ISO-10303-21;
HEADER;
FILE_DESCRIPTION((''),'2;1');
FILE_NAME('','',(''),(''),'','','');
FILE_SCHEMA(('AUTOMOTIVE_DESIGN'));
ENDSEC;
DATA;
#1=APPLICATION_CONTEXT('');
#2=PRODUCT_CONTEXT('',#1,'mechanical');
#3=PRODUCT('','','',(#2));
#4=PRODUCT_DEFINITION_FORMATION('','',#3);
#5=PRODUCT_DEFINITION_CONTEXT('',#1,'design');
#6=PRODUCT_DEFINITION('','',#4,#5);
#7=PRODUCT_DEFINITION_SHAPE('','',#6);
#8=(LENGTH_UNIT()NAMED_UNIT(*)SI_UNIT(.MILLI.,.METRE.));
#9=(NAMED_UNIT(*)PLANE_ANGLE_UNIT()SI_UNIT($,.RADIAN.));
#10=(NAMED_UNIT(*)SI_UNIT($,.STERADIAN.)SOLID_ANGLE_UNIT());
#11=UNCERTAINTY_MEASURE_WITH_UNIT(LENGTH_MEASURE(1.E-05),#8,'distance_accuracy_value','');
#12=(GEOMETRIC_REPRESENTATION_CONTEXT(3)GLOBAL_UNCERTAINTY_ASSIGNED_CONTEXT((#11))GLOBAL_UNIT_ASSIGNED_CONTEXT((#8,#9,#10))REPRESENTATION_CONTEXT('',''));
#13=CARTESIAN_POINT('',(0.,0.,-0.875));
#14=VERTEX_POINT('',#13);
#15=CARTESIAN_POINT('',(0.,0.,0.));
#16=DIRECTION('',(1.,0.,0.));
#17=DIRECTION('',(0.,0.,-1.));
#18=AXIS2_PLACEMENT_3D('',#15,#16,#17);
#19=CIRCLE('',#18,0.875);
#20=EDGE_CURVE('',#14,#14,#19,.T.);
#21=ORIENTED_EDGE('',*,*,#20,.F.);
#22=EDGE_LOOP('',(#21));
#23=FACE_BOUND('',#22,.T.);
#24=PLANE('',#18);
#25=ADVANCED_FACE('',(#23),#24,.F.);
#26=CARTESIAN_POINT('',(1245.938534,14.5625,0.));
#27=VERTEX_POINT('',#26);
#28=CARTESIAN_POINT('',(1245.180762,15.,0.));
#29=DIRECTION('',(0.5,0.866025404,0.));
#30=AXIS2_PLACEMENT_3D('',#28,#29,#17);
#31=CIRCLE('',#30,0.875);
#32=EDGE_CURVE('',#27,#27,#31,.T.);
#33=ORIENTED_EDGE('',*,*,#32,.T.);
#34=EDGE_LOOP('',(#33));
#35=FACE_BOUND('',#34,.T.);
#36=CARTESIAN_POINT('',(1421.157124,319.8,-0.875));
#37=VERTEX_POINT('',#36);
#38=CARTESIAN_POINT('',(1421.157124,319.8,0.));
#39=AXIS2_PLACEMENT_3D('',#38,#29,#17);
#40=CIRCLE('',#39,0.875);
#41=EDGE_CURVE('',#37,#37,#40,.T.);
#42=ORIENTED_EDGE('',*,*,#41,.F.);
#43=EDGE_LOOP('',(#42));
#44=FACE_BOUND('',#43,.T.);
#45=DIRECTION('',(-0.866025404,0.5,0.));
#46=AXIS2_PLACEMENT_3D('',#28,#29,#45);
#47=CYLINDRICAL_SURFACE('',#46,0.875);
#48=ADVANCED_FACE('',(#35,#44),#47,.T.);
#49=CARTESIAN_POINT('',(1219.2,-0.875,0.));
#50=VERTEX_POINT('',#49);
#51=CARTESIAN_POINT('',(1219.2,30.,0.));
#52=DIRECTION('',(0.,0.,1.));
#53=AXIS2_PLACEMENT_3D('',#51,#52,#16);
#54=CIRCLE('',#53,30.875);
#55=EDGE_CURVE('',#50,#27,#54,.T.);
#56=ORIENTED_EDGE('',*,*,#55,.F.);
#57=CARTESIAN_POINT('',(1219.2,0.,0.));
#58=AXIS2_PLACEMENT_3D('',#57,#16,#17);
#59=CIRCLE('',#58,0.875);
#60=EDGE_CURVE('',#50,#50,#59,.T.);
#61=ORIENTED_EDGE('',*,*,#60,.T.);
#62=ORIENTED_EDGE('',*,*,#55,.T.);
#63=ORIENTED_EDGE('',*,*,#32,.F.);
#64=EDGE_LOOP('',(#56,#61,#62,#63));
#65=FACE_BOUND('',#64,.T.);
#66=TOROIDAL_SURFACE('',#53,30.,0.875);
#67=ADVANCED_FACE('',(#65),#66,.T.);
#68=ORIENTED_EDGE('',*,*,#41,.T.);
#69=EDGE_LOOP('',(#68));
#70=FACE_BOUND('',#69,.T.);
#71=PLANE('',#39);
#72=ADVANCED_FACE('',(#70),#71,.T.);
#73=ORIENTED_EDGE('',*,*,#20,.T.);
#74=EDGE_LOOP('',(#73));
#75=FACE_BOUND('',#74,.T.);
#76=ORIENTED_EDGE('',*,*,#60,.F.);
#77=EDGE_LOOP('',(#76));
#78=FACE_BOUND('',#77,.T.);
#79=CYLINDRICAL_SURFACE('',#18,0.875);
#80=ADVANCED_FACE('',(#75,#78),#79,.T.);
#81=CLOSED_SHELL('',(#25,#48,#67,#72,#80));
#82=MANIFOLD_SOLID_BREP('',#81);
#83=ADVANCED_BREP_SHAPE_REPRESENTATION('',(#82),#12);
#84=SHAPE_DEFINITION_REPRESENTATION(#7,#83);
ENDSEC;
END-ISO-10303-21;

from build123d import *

# Parameters (mm, degrees)
SKETCH1_R = 0.875


with BuildPart() as part:
    # Sweep1: sweep along a path in Sketch2
    with BuildLine(Plane.XY) as sweep1_path:
        Line((0, 0), (1219.2, 0))
        ThreePointArc((1219.2, 0), (1234.2, 4.019237886), (1245.180762114, 15))
        Line((1245.180762114, 15), (1421.157124163, 319.8))
    # Sketch1 → Sweep1 (sweep)
    with BuildSketch(Plane(origin=(0, 0, 0), x_dir=(0, 0, -1), z_dir=(1, 0, 0))):
        Circle(SKETCH1_R)
    sweep(path=sweep1_path.line)


solid = part.part
